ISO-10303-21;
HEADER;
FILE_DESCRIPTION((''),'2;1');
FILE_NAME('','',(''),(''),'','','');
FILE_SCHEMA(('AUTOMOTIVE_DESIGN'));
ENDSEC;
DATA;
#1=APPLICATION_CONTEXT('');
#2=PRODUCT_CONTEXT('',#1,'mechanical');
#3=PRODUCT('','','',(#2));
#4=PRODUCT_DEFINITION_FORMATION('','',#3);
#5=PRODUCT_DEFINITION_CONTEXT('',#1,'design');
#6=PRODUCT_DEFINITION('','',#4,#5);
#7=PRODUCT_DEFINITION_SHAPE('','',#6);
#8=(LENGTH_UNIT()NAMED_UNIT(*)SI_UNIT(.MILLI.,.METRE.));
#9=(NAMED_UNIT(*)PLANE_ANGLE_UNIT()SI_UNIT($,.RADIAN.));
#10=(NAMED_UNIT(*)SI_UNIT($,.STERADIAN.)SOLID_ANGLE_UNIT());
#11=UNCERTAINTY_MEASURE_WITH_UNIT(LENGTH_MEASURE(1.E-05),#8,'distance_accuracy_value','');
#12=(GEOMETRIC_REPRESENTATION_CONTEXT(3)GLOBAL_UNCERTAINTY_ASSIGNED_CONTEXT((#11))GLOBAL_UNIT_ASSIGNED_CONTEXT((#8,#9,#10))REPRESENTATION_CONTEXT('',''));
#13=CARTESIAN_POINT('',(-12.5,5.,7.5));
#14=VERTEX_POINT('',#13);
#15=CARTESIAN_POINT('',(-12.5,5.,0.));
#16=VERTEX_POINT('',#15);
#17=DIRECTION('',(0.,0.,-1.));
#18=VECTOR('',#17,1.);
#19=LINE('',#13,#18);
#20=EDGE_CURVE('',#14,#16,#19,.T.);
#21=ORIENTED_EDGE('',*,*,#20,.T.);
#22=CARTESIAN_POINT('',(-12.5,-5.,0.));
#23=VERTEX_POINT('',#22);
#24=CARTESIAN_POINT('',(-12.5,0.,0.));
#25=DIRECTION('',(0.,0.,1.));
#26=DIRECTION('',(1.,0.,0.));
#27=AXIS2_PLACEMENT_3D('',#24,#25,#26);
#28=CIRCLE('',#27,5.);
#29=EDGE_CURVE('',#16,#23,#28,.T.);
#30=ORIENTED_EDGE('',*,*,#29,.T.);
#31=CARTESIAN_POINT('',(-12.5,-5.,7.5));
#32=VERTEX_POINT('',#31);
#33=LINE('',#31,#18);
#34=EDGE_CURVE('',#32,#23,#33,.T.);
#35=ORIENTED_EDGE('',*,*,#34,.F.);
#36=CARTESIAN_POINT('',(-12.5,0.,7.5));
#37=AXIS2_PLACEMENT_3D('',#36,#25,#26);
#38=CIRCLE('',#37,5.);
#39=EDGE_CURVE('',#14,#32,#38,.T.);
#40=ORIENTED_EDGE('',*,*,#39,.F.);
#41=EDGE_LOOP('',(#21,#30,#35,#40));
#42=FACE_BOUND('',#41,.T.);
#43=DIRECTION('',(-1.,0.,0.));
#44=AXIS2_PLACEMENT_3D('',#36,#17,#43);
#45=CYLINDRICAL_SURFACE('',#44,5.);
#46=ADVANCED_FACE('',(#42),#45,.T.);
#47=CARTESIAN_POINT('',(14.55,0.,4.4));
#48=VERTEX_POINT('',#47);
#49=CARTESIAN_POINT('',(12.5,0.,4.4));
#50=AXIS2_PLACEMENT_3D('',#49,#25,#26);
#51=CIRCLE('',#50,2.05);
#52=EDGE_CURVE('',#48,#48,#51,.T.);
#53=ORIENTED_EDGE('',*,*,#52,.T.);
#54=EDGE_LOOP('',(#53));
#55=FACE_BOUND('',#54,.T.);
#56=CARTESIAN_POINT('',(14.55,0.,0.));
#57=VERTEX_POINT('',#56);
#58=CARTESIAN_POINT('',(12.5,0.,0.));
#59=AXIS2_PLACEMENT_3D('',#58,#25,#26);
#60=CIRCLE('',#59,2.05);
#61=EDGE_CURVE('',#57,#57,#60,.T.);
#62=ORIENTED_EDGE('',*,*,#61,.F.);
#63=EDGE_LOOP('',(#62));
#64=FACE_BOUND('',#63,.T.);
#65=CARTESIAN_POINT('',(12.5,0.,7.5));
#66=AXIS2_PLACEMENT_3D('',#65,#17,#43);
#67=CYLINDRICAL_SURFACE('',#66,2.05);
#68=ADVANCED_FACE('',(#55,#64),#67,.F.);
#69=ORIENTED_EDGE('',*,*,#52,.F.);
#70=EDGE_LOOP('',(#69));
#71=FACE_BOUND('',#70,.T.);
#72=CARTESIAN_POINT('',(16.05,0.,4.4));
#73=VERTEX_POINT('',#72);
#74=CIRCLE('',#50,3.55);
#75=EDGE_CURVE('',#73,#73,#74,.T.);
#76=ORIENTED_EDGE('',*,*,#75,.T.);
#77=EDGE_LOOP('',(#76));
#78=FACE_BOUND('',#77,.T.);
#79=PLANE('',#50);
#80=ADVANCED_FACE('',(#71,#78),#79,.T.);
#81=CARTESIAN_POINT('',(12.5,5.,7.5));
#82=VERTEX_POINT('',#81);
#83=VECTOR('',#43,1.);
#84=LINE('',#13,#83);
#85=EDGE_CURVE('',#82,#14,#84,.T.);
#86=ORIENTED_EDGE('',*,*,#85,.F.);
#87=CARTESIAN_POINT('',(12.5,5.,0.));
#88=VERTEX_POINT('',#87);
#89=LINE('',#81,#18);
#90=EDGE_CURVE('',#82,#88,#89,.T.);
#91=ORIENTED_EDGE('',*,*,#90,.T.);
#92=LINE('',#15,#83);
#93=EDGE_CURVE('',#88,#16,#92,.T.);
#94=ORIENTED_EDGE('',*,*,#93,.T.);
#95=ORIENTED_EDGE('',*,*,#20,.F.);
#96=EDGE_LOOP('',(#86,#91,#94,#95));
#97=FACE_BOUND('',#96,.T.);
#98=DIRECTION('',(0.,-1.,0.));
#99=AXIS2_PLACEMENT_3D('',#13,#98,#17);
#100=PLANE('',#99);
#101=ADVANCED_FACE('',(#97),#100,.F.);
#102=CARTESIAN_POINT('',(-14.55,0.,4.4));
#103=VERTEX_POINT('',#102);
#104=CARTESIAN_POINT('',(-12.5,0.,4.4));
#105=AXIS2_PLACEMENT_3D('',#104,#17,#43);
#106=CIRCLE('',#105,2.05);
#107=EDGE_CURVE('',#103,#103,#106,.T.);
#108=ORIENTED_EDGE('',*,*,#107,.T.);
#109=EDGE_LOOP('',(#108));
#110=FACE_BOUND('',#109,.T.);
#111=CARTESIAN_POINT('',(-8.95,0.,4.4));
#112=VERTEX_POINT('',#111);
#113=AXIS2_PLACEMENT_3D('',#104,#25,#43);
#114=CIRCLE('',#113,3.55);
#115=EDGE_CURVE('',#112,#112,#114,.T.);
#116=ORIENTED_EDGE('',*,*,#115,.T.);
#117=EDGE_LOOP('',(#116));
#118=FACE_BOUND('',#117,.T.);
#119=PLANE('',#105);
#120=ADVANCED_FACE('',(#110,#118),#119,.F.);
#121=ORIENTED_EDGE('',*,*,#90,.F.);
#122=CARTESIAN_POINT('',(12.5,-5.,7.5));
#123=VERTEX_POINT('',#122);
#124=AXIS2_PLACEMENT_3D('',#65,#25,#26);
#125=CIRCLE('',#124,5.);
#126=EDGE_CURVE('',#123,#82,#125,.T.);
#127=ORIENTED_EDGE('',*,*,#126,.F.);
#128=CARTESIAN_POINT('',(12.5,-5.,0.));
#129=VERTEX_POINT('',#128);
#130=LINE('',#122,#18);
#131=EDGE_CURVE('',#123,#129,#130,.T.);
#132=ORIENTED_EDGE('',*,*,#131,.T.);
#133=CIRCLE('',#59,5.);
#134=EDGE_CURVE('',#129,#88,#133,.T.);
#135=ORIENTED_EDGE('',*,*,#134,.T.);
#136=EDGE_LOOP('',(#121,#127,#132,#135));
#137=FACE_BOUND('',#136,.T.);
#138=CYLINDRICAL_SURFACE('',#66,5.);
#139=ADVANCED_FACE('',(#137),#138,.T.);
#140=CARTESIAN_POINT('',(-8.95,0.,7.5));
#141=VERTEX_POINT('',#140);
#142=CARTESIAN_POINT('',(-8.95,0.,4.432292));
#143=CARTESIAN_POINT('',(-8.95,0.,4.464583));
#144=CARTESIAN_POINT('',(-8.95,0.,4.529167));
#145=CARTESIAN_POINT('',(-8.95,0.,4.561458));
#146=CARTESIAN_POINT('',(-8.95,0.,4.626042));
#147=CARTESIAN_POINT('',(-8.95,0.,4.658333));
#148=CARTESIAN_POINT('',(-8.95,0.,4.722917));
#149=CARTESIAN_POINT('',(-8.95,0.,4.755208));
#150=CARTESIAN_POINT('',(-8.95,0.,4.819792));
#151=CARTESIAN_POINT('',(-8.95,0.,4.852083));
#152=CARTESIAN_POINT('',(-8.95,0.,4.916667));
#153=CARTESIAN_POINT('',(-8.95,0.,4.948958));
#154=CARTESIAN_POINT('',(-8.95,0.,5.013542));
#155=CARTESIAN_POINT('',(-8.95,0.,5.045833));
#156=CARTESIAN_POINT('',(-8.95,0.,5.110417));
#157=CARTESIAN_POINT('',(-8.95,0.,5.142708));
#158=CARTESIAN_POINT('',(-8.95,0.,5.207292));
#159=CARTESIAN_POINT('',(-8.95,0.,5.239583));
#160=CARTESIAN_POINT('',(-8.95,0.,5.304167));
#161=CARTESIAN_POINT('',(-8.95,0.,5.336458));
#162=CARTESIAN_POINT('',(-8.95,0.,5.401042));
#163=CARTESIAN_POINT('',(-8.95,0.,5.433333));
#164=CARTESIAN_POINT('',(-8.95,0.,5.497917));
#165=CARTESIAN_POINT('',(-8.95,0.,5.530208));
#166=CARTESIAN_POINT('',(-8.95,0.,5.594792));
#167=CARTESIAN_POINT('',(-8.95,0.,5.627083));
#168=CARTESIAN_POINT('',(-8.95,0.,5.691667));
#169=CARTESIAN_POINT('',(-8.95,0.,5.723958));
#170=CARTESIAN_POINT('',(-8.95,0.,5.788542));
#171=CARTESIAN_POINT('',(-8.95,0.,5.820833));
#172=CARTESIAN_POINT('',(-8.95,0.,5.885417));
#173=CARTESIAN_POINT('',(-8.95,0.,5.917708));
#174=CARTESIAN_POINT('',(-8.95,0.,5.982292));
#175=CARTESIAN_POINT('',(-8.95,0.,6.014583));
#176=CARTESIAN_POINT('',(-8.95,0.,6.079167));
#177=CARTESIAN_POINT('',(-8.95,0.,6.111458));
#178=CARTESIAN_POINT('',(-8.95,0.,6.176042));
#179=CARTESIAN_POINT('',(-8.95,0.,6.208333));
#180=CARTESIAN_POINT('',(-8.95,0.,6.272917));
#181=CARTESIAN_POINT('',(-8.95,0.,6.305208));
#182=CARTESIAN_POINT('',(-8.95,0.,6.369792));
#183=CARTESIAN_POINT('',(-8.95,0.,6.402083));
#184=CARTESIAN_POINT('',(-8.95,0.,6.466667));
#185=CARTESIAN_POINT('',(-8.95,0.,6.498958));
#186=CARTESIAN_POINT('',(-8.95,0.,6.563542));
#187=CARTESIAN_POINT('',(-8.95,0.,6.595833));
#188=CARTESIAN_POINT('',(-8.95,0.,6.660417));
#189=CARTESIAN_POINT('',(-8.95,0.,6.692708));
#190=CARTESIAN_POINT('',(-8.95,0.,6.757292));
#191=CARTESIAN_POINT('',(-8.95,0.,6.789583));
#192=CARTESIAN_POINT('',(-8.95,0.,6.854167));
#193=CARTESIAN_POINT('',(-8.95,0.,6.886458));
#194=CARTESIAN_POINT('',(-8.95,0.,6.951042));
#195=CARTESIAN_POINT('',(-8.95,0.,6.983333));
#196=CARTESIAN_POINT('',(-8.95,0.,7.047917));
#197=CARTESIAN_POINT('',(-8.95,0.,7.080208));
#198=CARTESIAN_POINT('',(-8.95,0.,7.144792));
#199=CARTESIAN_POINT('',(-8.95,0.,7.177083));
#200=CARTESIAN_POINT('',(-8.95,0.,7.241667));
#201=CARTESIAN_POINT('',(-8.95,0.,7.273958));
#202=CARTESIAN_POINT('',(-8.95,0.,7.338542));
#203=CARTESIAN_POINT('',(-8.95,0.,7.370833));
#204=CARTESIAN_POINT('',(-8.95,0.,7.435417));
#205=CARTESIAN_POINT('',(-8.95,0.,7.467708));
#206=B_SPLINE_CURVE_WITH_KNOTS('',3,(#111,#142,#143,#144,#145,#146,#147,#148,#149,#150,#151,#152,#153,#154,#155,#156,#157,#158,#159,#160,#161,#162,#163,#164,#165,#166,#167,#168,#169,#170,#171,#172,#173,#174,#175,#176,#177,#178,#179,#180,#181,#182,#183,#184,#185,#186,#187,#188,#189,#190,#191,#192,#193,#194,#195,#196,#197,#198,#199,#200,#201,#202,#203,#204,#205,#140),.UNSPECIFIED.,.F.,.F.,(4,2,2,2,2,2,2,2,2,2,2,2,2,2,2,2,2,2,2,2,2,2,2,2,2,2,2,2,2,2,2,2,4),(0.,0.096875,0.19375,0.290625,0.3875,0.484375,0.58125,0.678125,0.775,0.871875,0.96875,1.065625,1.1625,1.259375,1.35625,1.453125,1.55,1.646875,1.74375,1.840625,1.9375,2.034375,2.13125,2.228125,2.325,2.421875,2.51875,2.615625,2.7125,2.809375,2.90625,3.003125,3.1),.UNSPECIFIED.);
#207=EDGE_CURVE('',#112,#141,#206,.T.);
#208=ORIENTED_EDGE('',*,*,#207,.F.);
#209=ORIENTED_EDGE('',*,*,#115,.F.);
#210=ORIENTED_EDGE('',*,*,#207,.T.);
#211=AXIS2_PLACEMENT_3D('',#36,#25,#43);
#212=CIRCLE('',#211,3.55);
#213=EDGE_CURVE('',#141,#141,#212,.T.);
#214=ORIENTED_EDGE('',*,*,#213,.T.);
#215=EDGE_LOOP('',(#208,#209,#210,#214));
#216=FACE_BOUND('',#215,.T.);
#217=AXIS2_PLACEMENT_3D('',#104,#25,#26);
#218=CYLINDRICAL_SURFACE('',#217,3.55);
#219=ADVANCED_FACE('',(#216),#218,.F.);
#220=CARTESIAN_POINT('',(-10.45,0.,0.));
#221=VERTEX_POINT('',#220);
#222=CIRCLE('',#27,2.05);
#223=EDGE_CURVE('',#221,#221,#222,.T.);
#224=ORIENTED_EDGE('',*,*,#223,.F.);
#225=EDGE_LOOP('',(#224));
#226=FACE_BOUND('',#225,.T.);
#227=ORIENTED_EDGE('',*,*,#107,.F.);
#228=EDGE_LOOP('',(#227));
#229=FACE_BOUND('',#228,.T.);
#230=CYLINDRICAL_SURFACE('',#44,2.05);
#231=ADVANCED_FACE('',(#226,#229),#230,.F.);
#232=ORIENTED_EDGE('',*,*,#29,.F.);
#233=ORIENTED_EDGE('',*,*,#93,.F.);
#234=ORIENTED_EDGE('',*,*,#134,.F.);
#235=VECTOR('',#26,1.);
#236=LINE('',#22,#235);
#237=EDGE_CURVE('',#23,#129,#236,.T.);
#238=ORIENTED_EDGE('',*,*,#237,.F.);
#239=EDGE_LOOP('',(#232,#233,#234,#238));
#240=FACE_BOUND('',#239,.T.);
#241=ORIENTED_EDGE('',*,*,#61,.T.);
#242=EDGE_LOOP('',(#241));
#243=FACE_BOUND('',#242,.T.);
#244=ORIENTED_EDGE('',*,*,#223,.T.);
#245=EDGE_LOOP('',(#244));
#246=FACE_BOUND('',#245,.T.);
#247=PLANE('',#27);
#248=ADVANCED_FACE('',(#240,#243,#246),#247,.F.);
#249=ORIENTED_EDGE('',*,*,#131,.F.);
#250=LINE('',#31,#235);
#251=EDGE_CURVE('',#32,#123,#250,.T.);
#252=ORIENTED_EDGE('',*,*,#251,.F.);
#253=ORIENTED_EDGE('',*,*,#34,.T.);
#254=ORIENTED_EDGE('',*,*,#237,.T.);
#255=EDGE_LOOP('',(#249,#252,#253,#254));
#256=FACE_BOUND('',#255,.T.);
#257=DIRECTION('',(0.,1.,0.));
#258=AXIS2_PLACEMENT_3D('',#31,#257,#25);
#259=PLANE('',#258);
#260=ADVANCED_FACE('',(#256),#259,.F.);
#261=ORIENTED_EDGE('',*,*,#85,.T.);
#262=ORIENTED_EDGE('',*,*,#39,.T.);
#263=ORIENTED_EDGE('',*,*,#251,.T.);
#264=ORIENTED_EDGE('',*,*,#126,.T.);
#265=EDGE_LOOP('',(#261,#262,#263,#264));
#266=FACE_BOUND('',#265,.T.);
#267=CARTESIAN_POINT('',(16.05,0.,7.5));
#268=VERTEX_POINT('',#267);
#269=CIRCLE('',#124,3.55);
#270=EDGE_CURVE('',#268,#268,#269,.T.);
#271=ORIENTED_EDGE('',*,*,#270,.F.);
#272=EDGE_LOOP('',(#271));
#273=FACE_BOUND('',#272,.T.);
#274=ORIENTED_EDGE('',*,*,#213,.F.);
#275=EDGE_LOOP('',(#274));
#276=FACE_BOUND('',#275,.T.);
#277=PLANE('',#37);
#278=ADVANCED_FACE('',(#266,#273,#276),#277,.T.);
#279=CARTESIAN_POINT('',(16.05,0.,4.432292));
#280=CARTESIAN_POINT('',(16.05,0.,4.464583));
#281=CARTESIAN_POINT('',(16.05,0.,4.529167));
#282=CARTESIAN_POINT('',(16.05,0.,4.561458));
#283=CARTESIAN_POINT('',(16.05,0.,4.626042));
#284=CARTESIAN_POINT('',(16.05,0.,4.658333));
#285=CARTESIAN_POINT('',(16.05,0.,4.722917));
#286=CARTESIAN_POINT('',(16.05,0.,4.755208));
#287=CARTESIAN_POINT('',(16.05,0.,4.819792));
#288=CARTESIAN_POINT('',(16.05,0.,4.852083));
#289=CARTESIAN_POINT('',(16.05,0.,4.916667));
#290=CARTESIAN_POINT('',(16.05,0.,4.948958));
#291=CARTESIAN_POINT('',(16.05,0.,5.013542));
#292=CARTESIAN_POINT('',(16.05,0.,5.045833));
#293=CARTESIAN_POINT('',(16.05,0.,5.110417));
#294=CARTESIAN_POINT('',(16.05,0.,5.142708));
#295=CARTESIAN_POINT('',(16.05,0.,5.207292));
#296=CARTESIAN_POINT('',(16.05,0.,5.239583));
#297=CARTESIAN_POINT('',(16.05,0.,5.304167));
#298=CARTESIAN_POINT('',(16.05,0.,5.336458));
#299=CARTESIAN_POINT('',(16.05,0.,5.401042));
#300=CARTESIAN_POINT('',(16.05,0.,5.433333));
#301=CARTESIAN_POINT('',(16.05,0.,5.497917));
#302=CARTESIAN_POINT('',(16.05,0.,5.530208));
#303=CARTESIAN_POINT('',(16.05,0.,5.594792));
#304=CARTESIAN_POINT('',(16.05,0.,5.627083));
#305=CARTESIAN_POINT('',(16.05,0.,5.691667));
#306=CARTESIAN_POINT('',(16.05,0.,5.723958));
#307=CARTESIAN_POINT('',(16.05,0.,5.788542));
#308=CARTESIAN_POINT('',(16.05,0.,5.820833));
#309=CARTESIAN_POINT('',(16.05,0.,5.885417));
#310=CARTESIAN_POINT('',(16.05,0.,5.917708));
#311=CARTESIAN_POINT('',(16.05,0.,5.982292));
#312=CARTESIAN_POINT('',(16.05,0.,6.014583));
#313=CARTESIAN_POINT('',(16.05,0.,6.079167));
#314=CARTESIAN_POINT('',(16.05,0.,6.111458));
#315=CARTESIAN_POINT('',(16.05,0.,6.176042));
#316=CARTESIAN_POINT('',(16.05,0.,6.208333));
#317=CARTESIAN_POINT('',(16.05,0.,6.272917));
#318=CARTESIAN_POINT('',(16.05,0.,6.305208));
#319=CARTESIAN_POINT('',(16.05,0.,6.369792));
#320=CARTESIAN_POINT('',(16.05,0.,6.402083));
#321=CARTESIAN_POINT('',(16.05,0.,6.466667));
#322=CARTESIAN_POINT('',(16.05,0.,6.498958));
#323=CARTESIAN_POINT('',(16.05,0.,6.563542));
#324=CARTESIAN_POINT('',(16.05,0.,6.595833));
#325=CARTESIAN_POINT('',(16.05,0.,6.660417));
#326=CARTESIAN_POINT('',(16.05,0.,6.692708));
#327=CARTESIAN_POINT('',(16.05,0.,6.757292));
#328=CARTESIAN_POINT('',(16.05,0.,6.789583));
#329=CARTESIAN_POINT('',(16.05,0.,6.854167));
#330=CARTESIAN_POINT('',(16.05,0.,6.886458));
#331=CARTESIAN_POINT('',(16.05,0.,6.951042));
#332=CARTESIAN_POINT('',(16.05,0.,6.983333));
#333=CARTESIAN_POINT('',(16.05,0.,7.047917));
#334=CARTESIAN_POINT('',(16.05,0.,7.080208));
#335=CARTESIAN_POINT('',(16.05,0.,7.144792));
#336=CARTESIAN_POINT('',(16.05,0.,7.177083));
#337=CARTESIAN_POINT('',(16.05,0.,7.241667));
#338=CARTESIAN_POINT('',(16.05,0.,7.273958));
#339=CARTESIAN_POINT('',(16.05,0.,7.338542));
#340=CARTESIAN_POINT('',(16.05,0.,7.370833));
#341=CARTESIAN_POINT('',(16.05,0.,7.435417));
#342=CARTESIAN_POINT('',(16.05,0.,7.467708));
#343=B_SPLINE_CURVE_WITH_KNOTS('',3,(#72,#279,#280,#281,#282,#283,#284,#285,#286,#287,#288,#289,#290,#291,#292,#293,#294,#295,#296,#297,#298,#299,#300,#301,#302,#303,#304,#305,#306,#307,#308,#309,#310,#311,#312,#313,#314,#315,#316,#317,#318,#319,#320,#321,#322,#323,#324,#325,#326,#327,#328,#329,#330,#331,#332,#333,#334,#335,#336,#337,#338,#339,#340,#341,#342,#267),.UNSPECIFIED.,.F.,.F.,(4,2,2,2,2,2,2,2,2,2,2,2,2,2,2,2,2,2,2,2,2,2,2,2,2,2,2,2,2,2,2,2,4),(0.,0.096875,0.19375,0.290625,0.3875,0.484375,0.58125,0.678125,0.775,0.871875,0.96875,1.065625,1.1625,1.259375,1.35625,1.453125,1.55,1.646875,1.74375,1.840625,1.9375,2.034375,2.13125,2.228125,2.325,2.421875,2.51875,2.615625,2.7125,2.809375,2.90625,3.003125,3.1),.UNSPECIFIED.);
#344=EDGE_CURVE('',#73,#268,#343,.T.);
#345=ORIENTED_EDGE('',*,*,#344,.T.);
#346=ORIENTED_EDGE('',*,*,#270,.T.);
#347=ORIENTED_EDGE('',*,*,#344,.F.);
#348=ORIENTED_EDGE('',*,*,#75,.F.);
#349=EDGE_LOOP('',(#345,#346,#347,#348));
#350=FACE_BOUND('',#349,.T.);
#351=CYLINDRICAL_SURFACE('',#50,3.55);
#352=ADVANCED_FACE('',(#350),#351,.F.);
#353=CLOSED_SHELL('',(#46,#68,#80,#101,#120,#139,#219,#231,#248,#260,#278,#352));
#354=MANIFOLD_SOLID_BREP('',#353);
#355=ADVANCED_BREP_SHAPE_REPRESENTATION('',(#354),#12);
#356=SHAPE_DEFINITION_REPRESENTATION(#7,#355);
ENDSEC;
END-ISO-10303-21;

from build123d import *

# Parameters (mm, degrees)
SKETCH_1_R          = 2.05
EXTRUDE_1_DEPTH     = 7.5
SKETCH_2_R          = 3.55
CUT_EXTRUDE_1_DEPTH = 3.1


with BuildPart() as part:
    # 草圖1 → 填料-伸長1 (new body)
    with BuildSketch(Plane.XY):
        with BuildLine():
            Line((-12.5, 5), (12.5, 5))
            ThreePointArc((12.5, 5), (17.5, 0), (12.5, -5))
            Line((12.5, -5), (-12.5, -5))
            ThreePointArc((-12.5, -5), (-17.5, 0), (-12.5, 5))
        make_face()
        with Locations((-12.5, 0)):
            Circle(SKETCH_1_R, mode=Mode.SUBTRACT)
        with Locations((12.5, 0)):
            Circle(SKETCH_1_R, mode=Mode.SUBTRACT)
    extrude(amount=EXTRUDE_1_DEPTH)

    # 草圖2 → 除料-伸長1 (cut)
    with BuildSketch(Plane.XY.offset(7.5)):
        with Locations((12.5, 0)):
            Circle(SKETCH_2_R)
        with Locations((-12.5, 0)):
            Circle(SKETCH_2_R)
    extrude(amount=-CUT_EXTRUDE_1_DEPTH, mode=Mode.SUBTRACT)


solid = part.part
